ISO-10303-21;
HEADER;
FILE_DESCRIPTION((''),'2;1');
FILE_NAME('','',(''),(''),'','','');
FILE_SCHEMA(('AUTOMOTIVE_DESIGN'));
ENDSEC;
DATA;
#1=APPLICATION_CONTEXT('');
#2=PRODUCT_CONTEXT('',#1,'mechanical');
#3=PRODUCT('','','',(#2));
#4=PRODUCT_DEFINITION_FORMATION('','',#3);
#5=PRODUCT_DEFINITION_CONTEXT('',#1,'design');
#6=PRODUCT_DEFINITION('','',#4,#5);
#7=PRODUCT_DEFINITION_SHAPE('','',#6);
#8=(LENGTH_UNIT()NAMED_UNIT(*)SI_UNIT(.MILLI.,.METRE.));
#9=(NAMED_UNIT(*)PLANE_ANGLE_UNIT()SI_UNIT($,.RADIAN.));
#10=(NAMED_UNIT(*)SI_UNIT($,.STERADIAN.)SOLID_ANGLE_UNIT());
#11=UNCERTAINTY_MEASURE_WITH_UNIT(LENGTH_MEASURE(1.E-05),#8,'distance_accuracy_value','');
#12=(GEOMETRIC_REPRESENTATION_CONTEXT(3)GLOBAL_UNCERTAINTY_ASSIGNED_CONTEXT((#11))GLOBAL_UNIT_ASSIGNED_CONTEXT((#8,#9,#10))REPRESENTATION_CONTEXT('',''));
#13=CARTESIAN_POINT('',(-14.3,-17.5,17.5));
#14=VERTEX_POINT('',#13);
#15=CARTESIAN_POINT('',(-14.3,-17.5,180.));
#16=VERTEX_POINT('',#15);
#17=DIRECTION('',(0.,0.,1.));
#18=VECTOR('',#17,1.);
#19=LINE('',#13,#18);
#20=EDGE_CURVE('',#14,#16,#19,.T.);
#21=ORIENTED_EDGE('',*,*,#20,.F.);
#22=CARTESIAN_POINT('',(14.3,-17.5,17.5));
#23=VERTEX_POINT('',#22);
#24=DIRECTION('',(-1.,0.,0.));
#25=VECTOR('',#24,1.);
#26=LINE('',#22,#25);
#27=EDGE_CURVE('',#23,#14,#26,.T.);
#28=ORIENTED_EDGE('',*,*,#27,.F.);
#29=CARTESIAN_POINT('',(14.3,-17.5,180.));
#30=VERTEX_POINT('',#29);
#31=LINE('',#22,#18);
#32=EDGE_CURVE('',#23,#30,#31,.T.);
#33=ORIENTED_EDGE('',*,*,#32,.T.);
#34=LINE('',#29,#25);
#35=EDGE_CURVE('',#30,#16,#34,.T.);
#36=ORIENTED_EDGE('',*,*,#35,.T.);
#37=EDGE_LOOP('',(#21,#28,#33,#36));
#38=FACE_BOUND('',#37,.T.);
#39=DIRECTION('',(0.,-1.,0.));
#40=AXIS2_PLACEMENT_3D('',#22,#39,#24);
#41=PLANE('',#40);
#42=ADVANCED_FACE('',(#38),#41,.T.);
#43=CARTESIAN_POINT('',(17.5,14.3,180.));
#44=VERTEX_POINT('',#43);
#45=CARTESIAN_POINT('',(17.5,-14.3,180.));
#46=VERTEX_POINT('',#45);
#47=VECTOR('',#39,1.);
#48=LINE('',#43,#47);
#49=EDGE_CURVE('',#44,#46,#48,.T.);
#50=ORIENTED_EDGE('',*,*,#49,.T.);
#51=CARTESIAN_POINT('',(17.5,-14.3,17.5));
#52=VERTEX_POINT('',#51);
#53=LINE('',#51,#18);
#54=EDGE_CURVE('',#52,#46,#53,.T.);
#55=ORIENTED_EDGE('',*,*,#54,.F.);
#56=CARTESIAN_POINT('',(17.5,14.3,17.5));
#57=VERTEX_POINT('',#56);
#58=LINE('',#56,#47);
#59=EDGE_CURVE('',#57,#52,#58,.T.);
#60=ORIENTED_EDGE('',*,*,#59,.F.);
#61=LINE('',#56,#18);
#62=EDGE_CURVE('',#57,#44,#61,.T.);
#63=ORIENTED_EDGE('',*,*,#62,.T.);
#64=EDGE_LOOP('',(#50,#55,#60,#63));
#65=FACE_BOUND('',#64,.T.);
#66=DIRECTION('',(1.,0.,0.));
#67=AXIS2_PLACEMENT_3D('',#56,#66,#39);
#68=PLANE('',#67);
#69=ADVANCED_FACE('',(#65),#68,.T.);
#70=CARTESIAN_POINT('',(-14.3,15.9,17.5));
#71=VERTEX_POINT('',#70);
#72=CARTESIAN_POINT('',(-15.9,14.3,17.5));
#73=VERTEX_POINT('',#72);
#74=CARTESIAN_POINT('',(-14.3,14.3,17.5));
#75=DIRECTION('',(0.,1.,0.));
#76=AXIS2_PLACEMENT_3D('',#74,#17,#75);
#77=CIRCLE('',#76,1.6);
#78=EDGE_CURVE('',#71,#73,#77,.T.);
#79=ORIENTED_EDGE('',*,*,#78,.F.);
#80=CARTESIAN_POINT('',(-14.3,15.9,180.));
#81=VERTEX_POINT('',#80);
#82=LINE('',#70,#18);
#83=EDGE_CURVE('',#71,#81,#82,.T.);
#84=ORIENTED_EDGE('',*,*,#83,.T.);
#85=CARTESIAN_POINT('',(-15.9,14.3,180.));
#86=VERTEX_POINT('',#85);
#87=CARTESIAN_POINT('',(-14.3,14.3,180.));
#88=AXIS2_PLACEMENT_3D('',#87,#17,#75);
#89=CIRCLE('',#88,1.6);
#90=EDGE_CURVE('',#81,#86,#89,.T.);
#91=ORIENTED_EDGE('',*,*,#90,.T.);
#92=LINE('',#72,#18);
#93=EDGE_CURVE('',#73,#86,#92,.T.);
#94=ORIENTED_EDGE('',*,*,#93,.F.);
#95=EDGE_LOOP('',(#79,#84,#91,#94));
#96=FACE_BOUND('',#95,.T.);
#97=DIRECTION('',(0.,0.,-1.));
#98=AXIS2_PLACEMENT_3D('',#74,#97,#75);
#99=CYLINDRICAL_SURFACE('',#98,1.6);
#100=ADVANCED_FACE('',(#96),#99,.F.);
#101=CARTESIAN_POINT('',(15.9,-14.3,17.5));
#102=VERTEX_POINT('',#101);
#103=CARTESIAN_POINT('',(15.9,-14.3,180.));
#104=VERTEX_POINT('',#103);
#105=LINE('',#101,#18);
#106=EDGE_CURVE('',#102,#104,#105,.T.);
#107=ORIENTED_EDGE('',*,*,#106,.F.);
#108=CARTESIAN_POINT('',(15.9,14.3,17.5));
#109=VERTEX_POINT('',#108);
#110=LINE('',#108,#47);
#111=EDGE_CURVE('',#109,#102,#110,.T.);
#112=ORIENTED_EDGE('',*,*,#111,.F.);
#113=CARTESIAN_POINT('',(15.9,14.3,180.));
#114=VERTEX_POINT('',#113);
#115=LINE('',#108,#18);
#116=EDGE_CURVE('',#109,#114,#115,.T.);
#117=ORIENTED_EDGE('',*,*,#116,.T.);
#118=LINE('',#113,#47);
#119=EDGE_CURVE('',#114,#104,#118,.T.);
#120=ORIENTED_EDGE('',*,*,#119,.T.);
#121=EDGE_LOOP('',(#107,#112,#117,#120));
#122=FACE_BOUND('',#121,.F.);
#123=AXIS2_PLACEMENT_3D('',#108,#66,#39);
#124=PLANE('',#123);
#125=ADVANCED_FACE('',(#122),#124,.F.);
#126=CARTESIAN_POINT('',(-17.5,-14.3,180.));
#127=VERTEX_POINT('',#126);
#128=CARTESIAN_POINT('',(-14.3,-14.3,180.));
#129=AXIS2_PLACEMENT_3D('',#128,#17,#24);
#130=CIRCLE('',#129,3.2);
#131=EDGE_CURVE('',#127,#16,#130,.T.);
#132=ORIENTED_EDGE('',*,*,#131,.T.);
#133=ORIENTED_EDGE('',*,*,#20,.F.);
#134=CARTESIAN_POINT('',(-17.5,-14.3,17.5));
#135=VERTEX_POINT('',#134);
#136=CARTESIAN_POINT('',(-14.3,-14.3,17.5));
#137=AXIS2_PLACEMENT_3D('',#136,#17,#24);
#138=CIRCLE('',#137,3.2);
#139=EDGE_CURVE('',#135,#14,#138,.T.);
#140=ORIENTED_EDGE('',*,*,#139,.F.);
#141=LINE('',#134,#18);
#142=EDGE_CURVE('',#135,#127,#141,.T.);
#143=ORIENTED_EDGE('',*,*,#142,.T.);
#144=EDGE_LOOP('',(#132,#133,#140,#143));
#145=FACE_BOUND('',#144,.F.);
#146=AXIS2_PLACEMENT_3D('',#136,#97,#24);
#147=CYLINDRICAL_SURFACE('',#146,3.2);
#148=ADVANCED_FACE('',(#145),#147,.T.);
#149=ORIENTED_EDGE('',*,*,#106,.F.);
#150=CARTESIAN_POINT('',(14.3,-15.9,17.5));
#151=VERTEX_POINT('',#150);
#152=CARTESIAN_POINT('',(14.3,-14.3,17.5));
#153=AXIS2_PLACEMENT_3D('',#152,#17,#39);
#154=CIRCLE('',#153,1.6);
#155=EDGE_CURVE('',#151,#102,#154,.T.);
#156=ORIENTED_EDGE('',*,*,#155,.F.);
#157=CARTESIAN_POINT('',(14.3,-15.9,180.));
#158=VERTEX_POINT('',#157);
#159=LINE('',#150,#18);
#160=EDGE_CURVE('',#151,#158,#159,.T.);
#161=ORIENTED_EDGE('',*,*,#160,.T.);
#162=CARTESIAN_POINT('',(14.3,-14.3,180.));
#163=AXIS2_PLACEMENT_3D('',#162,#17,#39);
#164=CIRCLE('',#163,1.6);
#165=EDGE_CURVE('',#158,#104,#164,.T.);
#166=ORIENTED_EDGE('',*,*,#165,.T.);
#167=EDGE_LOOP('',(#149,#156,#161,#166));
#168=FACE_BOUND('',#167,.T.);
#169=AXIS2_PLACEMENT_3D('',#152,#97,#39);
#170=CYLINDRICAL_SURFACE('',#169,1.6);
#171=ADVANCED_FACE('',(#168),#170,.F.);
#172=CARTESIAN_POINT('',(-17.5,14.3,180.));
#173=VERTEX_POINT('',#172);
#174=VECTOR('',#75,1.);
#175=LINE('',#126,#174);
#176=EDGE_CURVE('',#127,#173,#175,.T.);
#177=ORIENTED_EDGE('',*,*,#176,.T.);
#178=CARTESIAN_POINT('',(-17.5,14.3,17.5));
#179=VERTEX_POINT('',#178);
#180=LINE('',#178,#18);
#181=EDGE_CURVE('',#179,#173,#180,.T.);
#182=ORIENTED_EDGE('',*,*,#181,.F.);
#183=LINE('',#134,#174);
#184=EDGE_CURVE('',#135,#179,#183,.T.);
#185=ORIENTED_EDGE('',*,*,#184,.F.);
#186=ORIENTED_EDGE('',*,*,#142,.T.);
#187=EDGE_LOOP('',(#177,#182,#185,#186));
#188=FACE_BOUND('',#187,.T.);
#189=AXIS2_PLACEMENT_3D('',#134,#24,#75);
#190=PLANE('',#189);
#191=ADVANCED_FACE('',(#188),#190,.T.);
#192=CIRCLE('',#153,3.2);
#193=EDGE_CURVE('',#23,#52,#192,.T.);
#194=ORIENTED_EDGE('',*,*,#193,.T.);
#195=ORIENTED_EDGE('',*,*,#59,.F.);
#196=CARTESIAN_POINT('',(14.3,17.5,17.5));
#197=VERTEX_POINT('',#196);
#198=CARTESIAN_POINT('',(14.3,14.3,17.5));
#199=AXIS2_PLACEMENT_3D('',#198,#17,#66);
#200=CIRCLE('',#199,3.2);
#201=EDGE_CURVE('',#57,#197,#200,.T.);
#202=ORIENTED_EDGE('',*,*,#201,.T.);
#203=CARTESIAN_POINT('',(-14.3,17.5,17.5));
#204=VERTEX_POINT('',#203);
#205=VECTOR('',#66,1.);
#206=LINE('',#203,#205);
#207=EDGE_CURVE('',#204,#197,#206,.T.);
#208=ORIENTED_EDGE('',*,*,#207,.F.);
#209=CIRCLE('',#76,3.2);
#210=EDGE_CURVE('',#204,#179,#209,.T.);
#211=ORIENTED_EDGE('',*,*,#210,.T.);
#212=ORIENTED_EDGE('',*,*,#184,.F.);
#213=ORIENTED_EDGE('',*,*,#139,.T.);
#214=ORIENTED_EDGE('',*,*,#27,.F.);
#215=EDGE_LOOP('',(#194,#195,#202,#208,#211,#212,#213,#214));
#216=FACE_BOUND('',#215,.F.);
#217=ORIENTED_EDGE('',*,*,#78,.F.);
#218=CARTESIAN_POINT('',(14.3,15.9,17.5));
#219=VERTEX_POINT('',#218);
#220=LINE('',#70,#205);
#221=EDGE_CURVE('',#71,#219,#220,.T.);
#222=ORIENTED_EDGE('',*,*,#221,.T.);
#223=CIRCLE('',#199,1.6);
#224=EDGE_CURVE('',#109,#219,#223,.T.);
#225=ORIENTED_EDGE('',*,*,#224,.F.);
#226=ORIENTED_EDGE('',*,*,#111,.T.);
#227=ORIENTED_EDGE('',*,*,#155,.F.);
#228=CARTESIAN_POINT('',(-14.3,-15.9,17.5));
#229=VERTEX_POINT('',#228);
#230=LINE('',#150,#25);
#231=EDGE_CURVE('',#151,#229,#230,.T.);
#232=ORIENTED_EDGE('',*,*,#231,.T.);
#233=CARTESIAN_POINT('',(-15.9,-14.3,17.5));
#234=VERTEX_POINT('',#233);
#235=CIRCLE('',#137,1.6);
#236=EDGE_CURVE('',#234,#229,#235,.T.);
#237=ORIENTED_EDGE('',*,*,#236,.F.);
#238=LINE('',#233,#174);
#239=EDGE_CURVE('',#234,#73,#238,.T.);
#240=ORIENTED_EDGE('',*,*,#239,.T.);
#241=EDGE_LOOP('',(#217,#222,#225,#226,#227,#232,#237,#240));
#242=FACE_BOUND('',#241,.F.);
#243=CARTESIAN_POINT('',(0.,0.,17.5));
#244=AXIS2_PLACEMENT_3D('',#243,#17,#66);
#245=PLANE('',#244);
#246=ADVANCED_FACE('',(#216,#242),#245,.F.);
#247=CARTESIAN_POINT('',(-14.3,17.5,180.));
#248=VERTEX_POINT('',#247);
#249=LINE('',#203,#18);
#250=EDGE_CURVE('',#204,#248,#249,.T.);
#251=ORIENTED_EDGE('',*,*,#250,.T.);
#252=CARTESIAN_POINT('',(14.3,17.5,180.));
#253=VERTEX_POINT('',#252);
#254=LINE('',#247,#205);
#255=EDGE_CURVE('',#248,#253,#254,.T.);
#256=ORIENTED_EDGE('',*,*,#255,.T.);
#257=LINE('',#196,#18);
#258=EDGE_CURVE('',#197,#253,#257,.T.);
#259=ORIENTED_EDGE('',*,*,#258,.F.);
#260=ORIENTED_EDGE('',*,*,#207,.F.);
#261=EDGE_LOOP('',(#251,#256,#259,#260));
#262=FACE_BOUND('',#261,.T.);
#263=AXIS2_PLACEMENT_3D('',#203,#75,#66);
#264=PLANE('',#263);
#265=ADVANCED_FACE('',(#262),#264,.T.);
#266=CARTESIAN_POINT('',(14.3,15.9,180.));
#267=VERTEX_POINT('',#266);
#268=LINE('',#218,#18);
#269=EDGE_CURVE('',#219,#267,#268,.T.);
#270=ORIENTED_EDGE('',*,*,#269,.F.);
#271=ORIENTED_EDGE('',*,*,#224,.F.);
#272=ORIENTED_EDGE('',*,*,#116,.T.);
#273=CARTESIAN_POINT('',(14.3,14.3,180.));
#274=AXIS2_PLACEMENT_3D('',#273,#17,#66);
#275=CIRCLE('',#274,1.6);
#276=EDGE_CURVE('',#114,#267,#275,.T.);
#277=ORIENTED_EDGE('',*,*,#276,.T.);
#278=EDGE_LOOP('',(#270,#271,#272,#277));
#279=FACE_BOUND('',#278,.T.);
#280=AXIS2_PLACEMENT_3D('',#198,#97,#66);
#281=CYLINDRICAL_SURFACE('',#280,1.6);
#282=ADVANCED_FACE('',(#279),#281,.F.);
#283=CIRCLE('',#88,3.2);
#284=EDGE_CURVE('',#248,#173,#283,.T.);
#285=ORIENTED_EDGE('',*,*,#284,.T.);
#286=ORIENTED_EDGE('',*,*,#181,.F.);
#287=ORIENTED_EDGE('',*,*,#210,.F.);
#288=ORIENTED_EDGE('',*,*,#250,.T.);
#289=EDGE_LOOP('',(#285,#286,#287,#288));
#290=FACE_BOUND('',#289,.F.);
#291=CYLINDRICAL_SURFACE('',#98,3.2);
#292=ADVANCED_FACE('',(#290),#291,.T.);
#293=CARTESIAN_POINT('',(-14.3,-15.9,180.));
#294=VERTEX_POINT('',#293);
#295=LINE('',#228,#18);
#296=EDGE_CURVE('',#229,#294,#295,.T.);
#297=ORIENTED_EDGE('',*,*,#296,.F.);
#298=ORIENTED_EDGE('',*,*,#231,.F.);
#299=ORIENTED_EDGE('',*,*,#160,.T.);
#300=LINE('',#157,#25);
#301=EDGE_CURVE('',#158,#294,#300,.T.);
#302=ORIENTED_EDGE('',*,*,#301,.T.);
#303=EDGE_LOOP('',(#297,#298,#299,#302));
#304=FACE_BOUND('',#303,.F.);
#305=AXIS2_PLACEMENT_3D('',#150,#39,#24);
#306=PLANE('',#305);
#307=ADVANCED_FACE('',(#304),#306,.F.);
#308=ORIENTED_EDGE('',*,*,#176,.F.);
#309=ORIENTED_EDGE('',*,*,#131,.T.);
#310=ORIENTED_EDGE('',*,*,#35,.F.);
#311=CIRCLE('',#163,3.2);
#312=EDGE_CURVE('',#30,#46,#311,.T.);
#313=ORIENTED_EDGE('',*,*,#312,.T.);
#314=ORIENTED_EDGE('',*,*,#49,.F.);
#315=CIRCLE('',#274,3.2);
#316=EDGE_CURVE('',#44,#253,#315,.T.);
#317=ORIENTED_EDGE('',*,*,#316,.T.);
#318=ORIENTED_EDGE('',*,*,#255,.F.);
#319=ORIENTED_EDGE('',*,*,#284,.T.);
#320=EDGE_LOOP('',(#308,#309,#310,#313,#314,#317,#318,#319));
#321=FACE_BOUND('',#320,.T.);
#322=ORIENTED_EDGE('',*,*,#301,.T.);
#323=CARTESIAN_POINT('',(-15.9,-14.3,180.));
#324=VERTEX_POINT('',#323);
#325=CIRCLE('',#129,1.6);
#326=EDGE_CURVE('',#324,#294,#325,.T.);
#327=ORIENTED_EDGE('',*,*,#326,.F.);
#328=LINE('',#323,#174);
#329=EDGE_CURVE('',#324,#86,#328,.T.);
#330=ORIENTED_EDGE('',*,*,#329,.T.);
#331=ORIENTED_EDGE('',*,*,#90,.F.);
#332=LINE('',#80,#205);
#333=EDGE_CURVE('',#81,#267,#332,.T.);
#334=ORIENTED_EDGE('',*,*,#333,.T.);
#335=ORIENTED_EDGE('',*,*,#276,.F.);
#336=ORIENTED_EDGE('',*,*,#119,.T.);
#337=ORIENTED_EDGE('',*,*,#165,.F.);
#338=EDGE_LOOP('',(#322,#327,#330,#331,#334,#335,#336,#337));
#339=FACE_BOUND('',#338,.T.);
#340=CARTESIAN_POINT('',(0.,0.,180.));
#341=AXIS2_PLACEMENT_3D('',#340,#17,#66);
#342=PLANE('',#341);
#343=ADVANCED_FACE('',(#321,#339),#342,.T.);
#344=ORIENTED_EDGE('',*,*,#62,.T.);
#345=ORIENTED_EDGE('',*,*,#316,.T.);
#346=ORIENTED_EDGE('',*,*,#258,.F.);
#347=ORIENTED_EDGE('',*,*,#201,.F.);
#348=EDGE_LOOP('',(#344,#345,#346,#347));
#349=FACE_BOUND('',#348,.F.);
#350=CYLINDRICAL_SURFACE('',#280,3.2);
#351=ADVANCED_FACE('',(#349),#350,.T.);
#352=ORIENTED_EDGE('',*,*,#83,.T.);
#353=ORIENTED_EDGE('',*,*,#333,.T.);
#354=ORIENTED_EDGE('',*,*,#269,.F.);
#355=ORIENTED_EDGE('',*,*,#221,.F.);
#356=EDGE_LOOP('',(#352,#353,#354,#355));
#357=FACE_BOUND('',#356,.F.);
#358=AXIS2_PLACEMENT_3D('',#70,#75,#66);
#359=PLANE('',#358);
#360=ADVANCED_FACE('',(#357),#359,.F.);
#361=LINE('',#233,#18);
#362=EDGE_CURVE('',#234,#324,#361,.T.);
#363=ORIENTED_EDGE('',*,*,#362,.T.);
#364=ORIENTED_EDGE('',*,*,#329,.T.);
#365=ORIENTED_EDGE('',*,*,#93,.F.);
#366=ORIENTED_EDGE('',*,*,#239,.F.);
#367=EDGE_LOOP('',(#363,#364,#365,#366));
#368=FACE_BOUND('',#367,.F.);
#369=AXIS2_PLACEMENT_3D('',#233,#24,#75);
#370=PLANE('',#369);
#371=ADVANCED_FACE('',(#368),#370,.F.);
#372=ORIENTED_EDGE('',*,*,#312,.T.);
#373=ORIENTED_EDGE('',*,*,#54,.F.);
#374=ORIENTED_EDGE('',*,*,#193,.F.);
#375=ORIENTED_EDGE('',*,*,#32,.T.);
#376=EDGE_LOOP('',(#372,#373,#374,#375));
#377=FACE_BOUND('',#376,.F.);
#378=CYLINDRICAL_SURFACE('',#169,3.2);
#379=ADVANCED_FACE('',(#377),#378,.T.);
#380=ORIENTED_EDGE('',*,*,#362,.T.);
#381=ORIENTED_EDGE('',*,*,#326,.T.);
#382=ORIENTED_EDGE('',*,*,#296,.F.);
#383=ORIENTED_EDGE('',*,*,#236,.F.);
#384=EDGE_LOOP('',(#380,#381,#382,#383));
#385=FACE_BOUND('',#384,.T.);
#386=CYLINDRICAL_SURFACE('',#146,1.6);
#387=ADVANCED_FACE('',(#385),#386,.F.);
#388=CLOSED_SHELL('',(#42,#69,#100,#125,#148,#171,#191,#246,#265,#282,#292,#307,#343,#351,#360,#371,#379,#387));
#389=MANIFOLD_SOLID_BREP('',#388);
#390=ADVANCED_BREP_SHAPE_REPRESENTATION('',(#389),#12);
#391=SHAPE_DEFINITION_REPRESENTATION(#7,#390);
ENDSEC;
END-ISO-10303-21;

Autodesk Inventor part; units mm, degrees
ref_plane "Start plane" through (0, 0, 17.5) normal (0, 0, 1) x (1, 0, 0)
ref_plane "End plane" through (0, 0, 180) normal (0, 0, 1) x (1, 0, 0)
sketch "Sketch" plane through (0, 0, 0) normal (0, 0, 1) x (1, 0, 0)
  line L0 (-17.5, -14.3) -> (-17.5, 14.3)
  line L1 (-14.3, 17.5) -> (14.3, 17.5)
  line L2 (17.5, 14.3) -> (17.5, -14.3)
  line L3 (14.3, -17.5) -> (-14.3, -17.5)
  arc A0 (-17.5, -14.3) -> (-14.3, -17.5) centre (-14.3, -14.3) ccw
  arc A1 (-14.3, 17.5) -> (-17.5, 14.3) centre (-14.3, 14.3) ccw
  arc A2 (17.5, 14.3) -> (14.3, 17.5) centre (14.3, 14.3) ccw
  arc A3 (14.3, -17.5) -> (17.5, -14.3) centre (14.3, -14.3) ccw
  arc A4 (-14.3, 15.9) -> (-15.9, 14.3) centre (-14.3, 14.3) ccw
  line L4 (-14.3, 15.9) -> (14.3, 15.9)
  arc A5 (15.9, 14.3) -> (14.3, 15.9) centre (14.3, 14.3) ccw
  line L5 (15.9, 14.3) -> (15.9, -14.3)
  arc A6 (14.3, -15.9) -> (15.9, -14.3) centre (14.3, -14.3) ccw
  line L6 (14.3, -15.9) -> (-14.3, -15.9)
  arc A7 (-15.9, -14.3) -> (-14.3, -15.9) centre (-14.3, -14.3) ccw
  line L7 (-15.9, -14.3) -> (-15.9, 14.3)
  line L8 (0, 25.4278) -> (0, -25.4278) construction
  line L9 (-25.4278, 0) -> (25.4278, 0) construction
  dimension "d7" = 3.2
  dimension "d10" = 35
  dimension "d11" = 35
  dimension "d12" = 1.6
  dimension "d15" = 17.5
  dimension "d16" = 17.5
extrude "Body" add sketch "Sketch" along normal up to surface (162.5 mm away) from surface at 17.5
sketch "Sketch3" plane through (0, 0, 0) normal (0, 0, 1) x (1, 0, 0)
  line L0 (0, 0) -> (10, 0)
ref_plane "Work Plane3" through (0, 0, 0) normal (0, -1, 0) x (1, 0, 0)
sketch "Sketch4" plane through (0, 0, 0) normal (0, -1, 0) x (1, 0, 0)
  line L0 (-2, 17.5) -> (12, 17.5)
  line L1 (-2, 180) -> (12, 180)
  dimension "d18" = 162.5
ref_plane "Work Plane4" through (-747.5, 0, 17.5) normal (0, 0, -1) x (-1, 0, 0)
split "Split1" plane through (-747.5, 0, 17.5) removes the side toward (0, 0, -1)
equation "\"d7\" = G_IR"
equation "\"d10\" = G_H"
equation "\"d11\" = G_W"
equation "\"d12\" = G_T"
equation "\"d15\" = 0.5 * d10"
equation "\"d16\" = 0.5 * d11"
equation "\"d3\" = G_L"
equation "\"G_W\" = 35"
equation "\"G_H\" = 35"
equation "\"G_T\" = 1.6"
equation "\"G_IR\" = 3.2"
equation "\"G_L\" = d18"
equation "\"G_OFFSET_START\" = -17.5"
equation "\"G_OFFSET_END\" = 0"
equation "\"d13\" = -G_OFFSET_START"
properties part number "AS C350L0 35x35x3.0 SHS 00000051" material "Steel, Mild"
